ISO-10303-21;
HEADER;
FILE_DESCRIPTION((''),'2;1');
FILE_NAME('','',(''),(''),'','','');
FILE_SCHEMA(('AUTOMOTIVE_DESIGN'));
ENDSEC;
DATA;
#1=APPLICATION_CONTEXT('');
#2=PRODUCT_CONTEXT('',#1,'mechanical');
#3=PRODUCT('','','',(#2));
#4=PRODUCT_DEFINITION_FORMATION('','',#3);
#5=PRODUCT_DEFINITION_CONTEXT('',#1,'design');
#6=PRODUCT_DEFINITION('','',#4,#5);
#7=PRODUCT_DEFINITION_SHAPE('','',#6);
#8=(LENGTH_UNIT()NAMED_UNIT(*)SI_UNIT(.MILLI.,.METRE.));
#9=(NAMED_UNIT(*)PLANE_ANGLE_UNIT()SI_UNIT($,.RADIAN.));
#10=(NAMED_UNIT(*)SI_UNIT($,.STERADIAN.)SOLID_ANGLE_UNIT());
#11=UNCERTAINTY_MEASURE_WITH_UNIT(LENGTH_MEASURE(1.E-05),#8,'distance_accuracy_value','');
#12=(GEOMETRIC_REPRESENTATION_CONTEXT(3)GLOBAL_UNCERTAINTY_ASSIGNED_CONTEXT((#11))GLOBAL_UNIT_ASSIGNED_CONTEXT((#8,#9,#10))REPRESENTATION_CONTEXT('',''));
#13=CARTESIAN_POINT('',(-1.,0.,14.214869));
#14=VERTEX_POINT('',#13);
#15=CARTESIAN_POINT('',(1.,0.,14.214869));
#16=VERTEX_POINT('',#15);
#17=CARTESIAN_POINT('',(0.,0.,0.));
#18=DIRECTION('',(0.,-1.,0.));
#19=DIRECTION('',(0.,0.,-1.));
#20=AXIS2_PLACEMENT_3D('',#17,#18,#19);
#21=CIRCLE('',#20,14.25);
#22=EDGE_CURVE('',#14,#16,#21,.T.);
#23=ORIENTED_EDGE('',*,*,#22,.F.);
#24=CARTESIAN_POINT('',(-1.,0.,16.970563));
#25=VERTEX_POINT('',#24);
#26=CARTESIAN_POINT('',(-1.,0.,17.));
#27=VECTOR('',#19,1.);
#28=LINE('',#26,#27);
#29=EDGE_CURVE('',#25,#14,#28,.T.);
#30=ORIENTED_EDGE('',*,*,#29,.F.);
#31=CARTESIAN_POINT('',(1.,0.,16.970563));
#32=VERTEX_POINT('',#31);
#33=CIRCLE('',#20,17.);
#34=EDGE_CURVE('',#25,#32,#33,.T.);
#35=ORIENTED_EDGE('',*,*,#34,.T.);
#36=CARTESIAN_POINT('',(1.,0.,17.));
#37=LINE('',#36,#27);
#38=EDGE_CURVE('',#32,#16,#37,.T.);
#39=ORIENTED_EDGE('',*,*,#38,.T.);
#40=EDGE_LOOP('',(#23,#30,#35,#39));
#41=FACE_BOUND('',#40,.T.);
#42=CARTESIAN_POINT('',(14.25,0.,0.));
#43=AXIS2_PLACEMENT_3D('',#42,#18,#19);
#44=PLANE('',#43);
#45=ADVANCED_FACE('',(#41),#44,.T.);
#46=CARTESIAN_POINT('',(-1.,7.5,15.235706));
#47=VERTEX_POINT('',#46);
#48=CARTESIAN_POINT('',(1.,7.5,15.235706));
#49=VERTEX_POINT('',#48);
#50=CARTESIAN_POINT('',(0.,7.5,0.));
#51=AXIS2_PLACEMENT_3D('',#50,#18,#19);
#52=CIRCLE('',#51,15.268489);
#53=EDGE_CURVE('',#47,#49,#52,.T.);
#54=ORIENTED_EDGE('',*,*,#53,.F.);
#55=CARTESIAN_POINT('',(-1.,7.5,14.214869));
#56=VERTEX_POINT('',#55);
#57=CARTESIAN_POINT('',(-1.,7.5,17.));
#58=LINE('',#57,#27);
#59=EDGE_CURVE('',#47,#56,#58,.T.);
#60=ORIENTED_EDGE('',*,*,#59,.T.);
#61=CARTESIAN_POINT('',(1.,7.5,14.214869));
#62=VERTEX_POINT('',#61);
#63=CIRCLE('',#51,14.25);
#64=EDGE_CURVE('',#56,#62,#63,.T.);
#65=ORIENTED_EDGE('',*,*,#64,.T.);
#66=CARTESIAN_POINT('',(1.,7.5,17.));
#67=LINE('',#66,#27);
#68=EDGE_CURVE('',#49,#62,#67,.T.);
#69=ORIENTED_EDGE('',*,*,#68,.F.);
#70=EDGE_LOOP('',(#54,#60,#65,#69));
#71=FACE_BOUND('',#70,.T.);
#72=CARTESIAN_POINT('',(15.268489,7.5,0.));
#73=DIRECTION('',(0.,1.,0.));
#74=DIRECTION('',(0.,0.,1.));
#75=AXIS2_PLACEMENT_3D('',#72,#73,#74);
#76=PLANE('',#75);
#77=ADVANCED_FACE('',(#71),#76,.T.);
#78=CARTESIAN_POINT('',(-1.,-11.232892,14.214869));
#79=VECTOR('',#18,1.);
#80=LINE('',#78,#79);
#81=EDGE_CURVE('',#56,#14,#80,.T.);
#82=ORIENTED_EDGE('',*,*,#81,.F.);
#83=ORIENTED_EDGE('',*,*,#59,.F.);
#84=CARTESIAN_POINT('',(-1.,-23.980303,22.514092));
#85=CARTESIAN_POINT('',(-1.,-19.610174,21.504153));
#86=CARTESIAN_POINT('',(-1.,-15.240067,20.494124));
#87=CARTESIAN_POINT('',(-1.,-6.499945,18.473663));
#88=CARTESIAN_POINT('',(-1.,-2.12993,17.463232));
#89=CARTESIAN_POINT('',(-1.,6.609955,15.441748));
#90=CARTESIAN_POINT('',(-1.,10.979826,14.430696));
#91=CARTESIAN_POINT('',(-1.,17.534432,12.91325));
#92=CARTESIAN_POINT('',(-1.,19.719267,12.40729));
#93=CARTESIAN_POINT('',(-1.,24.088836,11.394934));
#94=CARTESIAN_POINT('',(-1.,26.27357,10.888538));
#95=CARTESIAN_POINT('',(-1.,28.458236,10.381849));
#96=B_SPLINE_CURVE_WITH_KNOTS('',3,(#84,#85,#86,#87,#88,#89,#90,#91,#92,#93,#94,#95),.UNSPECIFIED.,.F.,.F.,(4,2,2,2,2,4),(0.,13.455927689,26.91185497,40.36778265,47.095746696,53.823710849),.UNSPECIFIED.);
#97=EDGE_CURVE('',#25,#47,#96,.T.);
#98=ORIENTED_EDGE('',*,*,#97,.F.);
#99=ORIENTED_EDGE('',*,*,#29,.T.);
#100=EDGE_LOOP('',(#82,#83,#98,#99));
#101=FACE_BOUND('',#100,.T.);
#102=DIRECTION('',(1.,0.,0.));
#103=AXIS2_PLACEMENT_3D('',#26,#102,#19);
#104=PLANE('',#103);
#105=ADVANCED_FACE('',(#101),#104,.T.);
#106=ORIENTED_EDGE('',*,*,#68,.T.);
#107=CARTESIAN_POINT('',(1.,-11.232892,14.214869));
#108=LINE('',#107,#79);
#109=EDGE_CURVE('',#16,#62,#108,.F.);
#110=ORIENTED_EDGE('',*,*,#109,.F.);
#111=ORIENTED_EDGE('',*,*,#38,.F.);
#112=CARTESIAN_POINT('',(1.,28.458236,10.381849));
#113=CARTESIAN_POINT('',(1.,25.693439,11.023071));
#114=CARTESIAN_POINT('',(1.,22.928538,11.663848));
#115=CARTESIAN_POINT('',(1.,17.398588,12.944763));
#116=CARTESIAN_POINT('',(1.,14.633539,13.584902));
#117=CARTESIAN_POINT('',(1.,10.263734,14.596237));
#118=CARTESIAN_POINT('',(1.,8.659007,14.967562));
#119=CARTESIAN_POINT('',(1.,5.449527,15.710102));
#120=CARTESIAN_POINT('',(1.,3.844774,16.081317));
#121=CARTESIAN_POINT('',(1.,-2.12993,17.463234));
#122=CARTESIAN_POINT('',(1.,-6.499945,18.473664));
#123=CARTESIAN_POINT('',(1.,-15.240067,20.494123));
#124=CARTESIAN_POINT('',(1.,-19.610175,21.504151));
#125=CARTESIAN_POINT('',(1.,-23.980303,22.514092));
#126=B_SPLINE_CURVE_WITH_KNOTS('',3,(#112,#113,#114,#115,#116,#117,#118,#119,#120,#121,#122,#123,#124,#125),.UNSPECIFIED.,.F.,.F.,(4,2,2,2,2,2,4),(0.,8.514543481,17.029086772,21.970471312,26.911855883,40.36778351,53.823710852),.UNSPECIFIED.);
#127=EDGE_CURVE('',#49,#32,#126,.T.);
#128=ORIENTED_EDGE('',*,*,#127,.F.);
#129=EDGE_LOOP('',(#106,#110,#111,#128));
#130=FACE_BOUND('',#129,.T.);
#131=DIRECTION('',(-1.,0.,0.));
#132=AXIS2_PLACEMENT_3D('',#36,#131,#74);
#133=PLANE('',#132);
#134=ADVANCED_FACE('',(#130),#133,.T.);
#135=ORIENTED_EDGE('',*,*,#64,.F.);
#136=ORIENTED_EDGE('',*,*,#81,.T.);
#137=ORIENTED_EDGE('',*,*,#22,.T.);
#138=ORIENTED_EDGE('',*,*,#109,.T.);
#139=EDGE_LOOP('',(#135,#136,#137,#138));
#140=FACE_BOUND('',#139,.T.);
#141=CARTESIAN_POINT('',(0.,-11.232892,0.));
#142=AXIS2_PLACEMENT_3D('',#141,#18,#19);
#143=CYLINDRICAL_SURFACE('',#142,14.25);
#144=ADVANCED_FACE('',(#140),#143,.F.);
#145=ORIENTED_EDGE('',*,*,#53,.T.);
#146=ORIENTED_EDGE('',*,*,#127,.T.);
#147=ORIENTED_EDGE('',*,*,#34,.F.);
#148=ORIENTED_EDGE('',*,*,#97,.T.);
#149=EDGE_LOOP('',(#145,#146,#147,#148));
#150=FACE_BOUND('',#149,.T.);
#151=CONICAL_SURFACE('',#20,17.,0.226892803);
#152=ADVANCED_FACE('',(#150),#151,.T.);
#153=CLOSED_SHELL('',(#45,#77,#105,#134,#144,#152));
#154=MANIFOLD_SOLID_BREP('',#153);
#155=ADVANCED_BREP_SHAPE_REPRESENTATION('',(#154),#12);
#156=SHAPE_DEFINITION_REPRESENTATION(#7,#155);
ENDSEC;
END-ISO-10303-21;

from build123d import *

# Parameters (mm, degrees)
ESQUISSE2_W             = 2
ESQUISSE2_H             = 7.5
ENL_V_MAT_EXTRU_4_DEPTH = 18


with BuildPart() as part:
    # Esquisse1 → Révolution1 (revolve)
    with BuildSketch(Plane.XY, mode=Mode.PRIVATE) as r_volution1_sk:
        Polygon((14.25, 0), (14.25, 7.5), (15.268488567, 7.5), (17, 0), align=None)
    revolve(r_volution1_sk.sketch.rotate(Axis((0, -11.232892416, 0), (0, 1, 0)), 90), axis=Axis((0, -11.232892416, 0), (0, 1, 0)))  # turned: the seam where the file's is

    # Esquisse2 → Enlèv. mat.-Extru.4 (cut, through all)
    with BuildSketch(Plane.XY):
        with Locations((0, 3.75)):
            Rectangle(ESQUISSE2_W, ESQUISSE2_H)
    extrude(amount=ENL_V_MAT_EXTRU_4_DEPTH, mode=Mode.SUBTRACT)


solid = part.part
